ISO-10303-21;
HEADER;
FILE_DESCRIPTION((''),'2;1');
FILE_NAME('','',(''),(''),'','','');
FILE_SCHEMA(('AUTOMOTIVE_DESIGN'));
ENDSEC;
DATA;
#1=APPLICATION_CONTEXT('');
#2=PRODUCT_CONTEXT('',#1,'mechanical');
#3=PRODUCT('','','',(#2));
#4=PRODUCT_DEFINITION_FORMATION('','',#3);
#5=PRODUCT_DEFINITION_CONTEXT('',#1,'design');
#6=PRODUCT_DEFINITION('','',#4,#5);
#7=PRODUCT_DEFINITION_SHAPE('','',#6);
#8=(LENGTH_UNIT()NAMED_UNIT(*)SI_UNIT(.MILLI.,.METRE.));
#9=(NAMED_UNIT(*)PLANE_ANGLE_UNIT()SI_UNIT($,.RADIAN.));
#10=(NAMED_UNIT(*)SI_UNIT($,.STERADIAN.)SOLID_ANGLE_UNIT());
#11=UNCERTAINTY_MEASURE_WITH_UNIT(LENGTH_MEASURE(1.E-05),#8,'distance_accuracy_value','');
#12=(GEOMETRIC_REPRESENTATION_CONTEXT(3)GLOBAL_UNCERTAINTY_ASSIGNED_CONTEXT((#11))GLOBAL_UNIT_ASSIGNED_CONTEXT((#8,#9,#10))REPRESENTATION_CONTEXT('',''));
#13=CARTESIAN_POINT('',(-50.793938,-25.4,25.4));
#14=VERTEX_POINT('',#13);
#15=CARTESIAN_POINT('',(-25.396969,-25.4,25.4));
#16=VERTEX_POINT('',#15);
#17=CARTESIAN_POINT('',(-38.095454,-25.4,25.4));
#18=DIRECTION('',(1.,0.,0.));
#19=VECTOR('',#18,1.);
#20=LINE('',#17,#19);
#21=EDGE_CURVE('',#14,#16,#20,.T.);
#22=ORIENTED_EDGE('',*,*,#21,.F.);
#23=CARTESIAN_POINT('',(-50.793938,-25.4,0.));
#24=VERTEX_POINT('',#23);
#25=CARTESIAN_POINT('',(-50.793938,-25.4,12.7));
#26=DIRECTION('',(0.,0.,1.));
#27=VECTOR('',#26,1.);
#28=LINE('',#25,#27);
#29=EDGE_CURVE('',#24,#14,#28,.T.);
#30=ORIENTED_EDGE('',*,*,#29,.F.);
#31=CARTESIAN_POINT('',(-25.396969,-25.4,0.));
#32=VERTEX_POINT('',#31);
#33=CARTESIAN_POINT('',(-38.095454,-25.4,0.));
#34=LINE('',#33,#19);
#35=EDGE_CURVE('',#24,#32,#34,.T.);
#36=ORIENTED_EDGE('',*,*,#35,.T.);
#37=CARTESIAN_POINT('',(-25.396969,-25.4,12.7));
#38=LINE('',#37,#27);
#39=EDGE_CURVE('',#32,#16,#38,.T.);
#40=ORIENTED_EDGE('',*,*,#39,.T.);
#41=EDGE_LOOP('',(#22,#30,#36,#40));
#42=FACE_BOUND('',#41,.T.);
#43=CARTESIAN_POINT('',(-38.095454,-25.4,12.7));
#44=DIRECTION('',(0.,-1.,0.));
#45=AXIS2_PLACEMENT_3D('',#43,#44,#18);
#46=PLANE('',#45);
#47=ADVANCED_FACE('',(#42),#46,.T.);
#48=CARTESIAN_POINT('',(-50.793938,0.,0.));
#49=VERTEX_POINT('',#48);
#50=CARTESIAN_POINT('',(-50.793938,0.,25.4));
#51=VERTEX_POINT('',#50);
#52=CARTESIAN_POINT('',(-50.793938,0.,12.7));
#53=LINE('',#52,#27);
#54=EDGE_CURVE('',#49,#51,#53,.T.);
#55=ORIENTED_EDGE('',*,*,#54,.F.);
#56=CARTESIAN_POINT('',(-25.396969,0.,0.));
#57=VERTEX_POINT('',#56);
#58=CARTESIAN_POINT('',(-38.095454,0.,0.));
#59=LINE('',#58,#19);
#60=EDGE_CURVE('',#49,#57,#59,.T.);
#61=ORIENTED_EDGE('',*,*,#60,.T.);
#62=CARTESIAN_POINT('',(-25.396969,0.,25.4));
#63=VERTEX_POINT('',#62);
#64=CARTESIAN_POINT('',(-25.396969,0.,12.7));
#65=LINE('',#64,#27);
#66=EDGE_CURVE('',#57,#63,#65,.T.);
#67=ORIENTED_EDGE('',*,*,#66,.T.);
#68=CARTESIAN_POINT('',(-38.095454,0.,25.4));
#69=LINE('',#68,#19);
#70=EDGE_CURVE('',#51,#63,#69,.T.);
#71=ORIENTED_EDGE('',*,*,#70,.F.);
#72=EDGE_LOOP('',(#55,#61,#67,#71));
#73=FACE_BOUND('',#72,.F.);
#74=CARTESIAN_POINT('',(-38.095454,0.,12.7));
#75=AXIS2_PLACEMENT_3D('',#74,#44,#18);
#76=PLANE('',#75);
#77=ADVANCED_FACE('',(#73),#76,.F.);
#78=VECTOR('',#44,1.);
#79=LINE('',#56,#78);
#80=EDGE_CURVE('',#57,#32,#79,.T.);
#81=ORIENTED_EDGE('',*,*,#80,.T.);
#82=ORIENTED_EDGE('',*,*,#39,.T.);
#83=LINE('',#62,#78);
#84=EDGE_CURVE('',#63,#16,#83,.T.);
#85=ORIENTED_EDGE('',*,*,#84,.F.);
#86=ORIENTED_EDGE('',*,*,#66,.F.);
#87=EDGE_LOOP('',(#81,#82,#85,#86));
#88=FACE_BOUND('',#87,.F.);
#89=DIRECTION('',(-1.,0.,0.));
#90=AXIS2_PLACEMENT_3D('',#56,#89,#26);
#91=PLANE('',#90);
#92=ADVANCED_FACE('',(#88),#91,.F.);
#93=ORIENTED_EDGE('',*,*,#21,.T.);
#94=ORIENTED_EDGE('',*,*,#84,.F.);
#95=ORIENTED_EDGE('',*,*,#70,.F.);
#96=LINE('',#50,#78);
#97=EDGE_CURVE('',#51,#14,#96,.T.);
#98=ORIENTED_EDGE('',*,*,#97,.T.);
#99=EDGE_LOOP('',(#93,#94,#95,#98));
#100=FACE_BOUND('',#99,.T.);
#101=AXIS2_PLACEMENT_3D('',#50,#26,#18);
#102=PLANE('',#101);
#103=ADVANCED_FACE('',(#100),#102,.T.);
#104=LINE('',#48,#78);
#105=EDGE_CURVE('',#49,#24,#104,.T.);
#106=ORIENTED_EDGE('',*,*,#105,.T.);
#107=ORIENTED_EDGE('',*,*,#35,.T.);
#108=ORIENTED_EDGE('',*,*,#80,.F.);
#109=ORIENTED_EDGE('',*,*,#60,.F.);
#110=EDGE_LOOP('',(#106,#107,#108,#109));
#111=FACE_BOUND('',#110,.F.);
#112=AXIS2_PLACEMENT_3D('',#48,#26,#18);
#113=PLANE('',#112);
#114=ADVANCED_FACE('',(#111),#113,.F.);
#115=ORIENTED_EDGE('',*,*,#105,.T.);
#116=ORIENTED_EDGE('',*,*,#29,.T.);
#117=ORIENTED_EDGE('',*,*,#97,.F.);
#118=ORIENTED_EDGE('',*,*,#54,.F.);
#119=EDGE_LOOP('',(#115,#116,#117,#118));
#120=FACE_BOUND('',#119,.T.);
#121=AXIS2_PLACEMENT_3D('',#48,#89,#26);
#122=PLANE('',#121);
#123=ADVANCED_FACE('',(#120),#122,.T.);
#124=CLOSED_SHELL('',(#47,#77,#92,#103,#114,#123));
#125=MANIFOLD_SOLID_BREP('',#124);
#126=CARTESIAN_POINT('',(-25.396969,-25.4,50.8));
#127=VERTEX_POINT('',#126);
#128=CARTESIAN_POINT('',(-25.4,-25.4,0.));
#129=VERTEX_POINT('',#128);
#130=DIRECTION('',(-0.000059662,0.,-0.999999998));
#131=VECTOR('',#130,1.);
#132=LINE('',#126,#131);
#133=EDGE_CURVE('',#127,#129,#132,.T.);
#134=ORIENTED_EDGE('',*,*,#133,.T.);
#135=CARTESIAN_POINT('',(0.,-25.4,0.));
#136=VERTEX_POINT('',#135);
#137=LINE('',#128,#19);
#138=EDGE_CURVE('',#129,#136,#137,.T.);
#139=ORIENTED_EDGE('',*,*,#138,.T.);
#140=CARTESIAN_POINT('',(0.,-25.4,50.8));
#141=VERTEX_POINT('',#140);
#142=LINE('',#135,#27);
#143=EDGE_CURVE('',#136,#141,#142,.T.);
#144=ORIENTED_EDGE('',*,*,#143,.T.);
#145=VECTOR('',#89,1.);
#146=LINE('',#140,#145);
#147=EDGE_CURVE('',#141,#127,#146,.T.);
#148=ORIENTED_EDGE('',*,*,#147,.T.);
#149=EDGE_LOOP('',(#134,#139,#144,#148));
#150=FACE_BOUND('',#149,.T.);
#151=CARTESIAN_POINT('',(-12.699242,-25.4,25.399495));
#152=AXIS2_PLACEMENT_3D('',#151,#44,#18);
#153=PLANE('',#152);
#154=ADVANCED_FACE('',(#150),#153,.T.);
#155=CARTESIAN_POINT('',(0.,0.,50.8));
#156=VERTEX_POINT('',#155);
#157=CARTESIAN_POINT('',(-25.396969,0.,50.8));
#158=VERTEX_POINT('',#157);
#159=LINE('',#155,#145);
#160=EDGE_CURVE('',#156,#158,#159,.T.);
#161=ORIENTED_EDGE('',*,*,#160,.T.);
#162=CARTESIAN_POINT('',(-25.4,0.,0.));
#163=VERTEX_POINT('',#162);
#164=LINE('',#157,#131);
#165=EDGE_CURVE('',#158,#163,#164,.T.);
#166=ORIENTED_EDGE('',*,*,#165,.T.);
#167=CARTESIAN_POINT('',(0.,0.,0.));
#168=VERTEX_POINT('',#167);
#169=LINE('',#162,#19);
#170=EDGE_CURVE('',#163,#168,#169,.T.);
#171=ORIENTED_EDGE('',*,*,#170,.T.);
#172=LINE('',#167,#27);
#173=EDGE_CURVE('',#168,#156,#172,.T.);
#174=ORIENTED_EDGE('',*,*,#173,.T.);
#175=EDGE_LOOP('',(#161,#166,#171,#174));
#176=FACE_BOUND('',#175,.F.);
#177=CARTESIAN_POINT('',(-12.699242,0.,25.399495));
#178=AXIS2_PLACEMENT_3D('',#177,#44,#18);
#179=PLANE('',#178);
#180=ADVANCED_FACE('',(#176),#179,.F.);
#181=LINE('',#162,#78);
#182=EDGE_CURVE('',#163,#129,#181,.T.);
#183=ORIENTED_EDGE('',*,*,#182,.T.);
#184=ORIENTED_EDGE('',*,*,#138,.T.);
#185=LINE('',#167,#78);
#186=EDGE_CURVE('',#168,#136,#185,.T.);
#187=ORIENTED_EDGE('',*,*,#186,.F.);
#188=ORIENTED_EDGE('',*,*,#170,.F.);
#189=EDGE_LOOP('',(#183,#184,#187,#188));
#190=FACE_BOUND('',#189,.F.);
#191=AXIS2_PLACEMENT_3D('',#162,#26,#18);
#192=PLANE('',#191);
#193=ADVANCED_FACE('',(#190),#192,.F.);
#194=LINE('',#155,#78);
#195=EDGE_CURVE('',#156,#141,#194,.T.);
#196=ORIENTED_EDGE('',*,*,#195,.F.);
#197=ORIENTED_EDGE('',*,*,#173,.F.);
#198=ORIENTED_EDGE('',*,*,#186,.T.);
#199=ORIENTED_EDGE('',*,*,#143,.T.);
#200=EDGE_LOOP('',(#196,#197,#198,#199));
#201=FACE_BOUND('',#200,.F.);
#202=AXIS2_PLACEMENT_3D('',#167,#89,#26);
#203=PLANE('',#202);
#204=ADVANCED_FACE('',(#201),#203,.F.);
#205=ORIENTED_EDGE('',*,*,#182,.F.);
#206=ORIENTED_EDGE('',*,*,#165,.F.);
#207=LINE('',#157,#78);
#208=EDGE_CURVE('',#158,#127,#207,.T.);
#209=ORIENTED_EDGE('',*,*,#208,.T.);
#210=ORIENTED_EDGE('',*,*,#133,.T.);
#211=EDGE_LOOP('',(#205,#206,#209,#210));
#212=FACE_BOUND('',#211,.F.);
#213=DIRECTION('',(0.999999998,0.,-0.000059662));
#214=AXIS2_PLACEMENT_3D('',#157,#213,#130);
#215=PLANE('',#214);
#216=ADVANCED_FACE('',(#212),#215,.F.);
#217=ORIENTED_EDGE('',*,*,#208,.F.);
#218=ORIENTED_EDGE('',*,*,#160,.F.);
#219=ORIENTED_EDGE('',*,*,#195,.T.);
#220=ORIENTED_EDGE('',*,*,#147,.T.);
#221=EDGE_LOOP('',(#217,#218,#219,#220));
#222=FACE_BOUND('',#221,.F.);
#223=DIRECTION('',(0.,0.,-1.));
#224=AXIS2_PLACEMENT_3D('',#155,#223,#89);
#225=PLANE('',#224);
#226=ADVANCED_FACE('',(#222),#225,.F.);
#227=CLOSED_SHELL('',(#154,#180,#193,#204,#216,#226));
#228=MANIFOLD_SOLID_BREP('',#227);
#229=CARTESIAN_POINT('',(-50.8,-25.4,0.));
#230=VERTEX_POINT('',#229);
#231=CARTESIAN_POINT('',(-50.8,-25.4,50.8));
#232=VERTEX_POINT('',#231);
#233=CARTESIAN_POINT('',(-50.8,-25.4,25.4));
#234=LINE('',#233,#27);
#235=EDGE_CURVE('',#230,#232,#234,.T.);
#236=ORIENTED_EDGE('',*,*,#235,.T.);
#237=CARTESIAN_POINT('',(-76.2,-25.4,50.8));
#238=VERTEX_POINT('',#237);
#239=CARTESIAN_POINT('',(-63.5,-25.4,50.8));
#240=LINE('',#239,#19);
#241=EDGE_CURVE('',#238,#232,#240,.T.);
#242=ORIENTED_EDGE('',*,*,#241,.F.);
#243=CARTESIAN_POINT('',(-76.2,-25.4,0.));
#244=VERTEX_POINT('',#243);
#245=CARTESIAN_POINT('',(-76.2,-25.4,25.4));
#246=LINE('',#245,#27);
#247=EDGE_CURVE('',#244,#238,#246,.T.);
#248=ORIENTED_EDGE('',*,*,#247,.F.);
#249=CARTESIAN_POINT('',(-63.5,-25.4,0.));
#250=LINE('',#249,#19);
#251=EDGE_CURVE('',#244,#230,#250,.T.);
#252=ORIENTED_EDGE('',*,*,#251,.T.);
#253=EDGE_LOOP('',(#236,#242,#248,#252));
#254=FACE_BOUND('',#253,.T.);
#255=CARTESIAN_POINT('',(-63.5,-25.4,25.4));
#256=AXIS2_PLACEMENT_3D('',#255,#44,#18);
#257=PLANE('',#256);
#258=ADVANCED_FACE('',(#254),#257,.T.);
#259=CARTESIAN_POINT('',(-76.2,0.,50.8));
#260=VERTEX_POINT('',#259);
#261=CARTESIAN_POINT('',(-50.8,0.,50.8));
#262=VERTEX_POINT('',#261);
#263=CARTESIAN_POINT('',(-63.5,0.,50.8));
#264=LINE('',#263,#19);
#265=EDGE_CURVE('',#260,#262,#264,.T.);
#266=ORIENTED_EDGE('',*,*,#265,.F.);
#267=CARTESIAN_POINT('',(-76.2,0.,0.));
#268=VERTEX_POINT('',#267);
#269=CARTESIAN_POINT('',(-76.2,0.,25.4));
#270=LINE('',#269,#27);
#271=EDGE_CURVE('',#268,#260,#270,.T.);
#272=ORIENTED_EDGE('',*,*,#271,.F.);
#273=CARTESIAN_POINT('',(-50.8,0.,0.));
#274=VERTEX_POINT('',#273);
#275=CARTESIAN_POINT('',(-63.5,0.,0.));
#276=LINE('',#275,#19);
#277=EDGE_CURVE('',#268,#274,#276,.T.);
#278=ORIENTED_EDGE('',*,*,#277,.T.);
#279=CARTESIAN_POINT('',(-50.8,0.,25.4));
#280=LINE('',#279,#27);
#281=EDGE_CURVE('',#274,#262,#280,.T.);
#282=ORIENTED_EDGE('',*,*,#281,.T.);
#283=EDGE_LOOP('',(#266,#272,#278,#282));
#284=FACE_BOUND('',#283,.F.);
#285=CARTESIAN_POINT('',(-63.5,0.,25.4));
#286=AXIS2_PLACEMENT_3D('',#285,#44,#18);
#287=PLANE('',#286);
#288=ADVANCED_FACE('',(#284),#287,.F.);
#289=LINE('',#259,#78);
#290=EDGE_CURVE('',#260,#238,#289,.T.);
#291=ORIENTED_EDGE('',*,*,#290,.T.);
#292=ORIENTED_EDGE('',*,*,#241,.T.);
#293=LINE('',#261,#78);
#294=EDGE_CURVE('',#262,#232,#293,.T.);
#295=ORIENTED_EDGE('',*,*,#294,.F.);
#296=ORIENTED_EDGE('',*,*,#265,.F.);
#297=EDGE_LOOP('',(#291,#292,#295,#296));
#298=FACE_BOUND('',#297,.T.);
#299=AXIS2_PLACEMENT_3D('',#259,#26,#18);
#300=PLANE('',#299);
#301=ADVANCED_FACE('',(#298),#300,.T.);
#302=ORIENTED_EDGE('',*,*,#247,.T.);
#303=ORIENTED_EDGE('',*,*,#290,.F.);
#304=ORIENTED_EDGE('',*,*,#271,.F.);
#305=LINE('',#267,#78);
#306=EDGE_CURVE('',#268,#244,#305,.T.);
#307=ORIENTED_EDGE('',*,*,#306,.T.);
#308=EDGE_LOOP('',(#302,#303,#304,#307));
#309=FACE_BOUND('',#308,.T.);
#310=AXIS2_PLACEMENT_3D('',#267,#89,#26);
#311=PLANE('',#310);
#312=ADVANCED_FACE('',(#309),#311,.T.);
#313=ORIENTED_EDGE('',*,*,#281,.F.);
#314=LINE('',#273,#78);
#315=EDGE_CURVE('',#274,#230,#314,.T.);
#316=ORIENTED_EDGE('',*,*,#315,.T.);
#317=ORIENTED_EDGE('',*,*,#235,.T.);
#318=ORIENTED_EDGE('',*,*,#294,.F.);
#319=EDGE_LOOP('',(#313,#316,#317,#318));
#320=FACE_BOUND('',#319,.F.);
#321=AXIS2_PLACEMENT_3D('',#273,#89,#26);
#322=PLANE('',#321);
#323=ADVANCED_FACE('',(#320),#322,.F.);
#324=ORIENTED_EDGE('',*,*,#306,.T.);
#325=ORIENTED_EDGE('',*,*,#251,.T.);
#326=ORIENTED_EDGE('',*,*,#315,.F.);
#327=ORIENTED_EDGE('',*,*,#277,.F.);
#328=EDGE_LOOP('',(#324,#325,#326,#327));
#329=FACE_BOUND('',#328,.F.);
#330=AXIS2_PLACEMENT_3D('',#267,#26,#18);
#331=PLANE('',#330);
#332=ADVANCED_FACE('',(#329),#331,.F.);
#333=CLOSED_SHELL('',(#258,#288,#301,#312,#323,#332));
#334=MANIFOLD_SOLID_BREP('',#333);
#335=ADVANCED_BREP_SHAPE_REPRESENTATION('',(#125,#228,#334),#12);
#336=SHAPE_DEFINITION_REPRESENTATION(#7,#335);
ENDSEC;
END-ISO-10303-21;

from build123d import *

# Parameters (mm, degrees)
F1_W     = 25.3969691694
F1_H     = 25.4
F2_DEPTH = 25.4
F0_W     = 25.4
F0_H     = 50.8


with BuildPart() as f2:
    # F1 (on Front) → F2 (new body)
    with BuildSketch(Plane.XZ):
        with Locations((-38.0954537541, 12.7)):
            Rectangle(F1_W, F1_H)
    extrude(amount=F2_DEPTH)


with BuildPart() as f2b:
    # F0 (on Front) → F2, piece 2 (new body)
    with BuildSketch(Plane.XZ):
        with Locations((-63.5, 25.4)):
            Rectangle(F0_W, F0_H)
    extrude(amount=F2_DEPTH)


with BuildPart() as f2c:
    # F0 (on Front) → F2, piece 3 (new body)
    with BuildSketch(Plane.XZ):
        Polygon((-25.4, 0), (0, 0), (0, 50.8), (-25.3969691694, 50.8), align=None)
    extrude(amount=F2_DEPTH)


solid = Compound([f2.part, f2b.part, f2c.part])
